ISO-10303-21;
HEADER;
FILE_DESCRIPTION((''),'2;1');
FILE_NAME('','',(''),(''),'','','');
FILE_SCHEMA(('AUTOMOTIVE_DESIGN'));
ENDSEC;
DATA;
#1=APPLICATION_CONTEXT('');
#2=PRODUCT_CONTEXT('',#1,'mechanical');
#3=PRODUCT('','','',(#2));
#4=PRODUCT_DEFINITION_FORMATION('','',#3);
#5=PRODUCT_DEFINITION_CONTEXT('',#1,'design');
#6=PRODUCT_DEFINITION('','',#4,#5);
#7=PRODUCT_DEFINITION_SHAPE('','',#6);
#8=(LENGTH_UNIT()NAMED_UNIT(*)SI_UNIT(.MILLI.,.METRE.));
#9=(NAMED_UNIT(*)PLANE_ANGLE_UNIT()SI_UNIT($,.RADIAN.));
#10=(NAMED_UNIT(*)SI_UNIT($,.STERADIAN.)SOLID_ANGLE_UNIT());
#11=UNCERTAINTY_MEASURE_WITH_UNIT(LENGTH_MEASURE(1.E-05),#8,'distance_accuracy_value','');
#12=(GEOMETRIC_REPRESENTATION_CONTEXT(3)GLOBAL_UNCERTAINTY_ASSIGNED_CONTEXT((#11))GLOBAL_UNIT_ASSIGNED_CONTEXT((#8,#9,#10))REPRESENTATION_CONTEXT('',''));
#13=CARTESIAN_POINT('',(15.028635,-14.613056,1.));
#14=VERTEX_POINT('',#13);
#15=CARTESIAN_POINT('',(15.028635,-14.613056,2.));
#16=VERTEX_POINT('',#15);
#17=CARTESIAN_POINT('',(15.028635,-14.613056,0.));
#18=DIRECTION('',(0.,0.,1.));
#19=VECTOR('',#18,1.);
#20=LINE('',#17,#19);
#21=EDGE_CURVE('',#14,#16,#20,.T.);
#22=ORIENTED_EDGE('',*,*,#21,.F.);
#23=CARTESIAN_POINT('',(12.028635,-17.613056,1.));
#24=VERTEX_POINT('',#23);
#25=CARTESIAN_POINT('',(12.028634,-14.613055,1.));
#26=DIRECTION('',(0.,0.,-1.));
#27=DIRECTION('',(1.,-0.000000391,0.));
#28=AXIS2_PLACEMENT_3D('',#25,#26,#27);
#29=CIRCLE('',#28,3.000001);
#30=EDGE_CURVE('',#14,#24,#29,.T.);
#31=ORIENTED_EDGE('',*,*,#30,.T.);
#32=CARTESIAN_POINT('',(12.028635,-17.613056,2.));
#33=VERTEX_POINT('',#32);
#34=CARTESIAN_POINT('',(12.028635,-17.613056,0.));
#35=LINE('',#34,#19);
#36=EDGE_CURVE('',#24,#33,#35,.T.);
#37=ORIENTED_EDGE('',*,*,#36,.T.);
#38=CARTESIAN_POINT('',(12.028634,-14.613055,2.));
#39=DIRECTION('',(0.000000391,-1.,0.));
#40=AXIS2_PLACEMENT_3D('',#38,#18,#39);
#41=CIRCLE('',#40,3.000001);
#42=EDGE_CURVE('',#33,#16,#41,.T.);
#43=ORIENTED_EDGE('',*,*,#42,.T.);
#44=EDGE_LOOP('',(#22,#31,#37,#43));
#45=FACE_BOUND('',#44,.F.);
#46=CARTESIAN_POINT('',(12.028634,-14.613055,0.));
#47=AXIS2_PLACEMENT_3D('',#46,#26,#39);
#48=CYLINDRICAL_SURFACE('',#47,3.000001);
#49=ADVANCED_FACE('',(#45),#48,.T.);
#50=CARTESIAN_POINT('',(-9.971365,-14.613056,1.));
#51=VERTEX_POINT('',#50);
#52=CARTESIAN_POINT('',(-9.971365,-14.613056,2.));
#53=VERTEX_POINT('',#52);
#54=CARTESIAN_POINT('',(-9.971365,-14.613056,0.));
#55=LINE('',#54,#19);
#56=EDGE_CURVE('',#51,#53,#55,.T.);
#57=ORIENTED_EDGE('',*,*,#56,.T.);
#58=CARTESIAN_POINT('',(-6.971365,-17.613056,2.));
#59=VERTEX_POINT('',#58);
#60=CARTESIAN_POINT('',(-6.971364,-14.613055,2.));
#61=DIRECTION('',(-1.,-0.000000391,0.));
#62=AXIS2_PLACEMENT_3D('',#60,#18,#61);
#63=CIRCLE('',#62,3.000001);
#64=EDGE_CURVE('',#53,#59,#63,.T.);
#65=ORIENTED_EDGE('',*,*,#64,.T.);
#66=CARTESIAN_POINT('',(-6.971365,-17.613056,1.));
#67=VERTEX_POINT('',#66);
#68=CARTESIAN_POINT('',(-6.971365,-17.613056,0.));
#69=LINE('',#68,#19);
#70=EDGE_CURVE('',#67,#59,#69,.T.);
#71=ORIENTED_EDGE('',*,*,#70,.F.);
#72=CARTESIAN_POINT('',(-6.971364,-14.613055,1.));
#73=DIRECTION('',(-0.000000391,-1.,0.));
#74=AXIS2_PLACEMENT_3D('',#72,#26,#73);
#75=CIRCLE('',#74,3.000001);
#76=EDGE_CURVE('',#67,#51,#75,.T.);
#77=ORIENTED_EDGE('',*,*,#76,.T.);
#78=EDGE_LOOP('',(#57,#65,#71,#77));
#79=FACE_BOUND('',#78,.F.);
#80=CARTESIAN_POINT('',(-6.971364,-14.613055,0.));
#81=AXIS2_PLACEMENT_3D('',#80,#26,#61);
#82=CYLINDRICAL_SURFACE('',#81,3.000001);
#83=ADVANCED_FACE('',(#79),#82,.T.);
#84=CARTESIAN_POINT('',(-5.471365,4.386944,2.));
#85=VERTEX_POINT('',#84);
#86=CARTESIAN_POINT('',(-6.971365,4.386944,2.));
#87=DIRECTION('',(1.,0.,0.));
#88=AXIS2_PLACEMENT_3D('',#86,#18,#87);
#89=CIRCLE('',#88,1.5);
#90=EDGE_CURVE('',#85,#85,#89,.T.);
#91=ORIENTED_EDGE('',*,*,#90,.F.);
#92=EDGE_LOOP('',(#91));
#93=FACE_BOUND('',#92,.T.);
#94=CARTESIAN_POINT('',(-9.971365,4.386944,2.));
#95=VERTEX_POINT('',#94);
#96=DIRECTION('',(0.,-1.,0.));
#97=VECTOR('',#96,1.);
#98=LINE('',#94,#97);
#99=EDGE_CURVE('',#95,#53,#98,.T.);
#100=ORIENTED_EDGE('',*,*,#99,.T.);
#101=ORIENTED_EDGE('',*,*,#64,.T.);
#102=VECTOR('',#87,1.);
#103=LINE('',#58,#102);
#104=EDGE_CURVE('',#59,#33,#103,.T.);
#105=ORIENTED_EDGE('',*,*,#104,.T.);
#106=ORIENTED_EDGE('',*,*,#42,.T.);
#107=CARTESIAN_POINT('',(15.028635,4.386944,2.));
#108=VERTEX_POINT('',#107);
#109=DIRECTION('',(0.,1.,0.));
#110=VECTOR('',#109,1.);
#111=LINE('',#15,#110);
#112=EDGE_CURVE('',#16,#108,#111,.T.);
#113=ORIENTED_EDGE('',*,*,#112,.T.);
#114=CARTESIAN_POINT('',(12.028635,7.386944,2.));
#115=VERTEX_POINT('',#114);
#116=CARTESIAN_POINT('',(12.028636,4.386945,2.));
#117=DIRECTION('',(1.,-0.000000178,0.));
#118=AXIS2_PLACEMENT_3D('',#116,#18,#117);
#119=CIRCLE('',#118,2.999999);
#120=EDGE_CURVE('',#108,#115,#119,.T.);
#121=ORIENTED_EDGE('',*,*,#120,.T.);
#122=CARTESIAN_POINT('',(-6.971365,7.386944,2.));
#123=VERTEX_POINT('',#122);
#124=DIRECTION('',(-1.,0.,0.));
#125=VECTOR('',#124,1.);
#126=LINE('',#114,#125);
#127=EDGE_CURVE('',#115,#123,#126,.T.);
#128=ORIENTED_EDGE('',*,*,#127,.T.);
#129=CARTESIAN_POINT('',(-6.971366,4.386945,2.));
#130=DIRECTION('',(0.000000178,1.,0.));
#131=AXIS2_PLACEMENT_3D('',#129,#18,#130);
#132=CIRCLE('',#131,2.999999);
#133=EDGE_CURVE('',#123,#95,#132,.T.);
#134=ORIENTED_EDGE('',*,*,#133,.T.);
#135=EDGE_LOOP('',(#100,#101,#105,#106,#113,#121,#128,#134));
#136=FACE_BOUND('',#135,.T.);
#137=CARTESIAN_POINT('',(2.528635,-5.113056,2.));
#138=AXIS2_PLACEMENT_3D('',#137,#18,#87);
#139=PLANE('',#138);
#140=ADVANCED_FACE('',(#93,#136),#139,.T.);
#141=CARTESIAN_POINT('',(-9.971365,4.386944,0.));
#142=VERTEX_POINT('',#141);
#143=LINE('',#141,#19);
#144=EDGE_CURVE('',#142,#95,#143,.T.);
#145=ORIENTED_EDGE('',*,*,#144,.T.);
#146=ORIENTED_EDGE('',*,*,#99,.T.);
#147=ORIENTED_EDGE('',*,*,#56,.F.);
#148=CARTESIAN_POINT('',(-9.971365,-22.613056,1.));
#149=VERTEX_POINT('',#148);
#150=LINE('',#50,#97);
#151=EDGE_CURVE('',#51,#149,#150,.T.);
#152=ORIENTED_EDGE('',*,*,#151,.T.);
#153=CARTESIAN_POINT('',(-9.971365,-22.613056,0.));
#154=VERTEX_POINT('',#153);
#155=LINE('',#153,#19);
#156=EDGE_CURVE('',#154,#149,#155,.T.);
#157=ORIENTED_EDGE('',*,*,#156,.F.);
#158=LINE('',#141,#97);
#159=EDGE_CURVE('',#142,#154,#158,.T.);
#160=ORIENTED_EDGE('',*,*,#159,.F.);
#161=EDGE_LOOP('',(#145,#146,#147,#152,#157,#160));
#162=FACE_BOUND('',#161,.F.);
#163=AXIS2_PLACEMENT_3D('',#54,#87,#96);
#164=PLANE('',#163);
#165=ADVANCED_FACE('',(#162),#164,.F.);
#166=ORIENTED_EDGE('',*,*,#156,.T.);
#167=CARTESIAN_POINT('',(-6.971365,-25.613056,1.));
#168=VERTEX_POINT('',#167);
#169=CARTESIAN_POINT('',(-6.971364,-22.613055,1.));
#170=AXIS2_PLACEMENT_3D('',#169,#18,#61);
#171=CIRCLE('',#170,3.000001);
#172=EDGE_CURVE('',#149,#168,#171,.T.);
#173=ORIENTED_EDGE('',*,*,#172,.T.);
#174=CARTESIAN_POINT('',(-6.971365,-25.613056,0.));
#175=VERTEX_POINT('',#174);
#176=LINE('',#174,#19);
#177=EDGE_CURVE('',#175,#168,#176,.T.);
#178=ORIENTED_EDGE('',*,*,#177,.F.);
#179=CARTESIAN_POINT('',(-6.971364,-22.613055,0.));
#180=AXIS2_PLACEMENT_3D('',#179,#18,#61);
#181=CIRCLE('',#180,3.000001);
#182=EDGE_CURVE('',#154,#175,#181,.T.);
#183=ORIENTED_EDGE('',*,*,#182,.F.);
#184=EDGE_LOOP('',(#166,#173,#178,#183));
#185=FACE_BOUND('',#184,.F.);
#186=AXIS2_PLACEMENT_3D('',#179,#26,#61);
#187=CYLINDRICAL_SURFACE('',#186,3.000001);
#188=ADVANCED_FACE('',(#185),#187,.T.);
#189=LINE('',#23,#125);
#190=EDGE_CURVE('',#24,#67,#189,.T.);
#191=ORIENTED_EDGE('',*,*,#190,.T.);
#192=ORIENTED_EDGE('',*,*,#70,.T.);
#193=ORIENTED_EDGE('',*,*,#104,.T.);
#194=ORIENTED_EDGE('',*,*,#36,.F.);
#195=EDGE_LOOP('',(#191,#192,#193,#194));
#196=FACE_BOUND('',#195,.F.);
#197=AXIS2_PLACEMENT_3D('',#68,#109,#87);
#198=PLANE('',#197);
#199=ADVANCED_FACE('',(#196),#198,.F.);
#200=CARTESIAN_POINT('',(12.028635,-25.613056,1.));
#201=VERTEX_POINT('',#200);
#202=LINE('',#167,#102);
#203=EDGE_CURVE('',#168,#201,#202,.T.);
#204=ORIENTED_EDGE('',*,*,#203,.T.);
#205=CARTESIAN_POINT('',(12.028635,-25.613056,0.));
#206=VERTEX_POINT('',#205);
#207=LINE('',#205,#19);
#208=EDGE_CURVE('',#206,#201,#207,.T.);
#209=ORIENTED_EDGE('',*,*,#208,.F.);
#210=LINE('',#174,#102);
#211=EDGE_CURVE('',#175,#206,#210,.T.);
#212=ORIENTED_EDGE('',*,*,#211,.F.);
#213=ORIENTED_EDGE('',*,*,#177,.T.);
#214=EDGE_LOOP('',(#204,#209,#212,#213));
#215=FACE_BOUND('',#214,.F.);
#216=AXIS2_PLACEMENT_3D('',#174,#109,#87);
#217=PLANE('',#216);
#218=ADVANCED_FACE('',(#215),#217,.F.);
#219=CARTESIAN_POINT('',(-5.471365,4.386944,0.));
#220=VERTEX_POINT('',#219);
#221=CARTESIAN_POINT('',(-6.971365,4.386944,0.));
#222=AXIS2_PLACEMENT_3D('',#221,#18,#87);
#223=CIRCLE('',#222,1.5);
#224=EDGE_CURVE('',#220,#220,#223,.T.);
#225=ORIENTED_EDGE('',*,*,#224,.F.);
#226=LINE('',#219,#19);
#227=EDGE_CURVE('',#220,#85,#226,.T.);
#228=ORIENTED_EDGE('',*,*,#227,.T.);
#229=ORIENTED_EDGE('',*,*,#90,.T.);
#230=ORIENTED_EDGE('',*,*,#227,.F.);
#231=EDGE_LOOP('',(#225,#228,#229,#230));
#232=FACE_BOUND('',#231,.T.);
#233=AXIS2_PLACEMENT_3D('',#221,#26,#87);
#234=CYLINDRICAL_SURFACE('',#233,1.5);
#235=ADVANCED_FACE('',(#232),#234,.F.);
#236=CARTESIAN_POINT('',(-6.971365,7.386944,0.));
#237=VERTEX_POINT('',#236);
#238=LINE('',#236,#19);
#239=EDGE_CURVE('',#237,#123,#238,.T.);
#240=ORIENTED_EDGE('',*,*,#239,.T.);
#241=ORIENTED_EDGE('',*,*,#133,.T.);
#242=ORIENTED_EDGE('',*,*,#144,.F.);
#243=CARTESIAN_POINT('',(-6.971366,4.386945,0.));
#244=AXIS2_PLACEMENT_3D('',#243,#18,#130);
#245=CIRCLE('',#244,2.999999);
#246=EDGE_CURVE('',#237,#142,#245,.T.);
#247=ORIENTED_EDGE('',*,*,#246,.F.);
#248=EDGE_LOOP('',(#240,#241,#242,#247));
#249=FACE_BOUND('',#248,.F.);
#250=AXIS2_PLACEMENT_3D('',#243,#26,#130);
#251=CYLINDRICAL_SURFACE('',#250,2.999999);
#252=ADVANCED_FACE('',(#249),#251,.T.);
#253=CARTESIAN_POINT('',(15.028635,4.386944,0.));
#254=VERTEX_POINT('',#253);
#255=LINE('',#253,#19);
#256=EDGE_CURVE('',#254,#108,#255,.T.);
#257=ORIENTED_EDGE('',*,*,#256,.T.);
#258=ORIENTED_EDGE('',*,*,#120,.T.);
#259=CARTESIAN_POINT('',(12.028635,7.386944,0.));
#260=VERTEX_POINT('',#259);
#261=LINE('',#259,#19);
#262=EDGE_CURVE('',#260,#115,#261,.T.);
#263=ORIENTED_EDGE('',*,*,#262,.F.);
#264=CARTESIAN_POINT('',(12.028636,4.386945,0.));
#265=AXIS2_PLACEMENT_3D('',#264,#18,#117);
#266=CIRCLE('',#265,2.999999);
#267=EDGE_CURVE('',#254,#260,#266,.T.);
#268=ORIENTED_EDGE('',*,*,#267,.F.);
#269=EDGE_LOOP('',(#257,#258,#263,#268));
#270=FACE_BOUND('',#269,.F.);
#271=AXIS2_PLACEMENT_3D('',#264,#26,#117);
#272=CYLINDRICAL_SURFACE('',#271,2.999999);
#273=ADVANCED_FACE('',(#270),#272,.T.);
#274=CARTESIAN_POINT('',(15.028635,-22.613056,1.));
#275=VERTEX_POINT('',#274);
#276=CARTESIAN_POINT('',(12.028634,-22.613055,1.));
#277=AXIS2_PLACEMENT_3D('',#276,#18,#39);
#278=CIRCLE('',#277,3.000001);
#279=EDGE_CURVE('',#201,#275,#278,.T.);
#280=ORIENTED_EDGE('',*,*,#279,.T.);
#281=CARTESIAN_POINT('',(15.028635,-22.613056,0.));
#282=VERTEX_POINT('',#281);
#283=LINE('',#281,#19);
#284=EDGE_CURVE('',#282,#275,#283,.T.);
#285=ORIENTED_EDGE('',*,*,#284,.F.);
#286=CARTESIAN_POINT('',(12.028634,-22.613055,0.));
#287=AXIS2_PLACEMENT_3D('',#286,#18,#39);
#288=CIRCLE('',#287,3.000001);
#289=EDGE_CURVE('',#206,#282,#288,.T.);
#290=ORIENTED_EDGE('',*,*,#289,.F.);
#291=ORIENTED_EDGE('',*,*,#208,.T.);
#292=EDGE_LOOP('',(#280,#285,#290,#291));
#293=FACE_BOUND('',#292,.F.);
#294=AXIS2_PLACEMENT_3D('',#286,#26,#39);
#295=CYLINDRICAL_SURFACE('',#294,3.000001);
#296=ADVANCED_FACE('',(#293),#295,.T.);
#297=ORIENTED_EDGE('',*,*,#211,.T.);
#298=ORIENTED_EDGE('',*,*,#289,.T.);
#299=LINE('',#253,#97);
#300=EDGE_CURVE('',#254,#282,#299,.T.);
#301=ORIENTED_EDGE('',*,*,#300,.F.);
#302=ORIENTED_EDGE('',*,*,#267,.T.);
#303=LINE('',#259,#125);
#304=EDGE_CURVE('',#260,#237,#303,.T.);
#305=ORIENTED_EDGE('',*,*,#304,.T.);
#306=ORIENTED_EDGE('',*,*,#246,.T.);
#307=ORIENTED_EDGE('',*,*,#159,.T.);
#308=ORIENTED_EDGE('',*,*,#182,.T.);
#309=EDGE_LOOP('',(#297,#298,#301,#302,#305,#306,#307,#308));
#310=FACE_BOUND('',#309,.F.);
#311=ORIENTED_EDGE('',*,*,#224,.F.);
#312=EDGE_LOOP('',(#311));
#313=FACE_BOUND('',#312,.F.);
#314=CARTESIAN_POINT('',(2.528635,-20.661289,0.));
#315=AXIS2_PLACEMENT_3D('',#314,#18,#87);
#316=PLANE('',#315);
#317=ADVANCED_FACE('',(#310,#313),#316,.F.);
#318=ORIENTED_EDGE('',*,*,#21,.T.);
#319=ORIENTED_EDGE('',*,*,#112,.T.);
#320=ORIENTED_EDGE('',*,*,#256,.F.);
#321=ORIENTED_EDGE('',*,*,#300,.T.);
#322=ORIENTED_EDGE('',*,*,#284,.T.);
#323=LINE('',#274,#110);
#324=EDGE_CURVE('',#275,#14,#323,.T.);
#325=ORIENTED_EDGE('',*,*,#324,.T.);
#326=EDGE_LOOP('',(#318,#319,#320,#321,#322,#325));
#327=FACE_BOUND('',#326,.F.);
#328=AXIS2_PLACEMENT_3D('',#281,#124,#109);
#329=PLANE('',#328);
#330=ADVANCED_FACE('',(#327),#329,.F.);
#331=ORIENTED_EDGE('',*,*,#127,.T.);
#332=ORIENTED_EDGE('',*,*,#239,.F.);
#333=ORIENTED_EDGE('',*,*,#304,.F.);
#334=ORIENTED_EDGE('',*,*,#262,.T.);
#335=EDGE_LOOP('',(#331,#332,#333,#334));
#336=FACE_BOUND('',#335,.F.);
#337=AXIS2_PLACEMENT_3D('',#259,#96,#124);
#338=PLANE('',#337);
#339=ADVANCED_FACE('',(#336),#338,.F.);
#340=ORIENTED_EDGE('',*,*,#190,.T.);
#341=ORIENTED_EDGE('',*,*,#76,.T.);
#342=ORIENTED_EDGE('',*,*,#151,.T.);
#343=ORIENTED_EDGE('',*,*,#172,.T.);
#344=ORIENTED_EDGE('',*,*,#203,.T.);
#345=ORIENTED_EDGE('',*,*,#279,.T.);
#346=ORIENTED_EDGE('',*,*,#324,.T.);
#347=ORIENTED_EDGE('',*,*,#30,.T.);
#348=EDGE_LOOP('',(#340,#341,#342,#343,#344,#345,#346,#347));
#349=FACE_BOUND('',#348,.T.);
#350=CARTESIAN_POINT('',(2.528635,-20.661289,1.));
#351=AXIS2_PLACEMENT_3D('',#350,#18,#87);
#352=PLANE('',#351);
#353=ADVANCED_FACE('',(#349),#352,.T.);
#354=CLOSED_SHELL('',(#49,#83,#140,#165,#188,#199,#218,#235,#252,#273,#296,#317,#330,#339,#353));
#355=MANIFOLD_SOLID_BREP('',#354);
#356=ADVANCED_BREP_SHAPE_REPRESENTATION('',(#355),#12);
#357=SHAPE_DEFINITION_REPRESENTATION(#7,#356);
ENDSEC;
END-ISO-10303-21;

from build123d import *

# Parameters (mm, degrees)
F0_R     = 1.5
F1_DEPTH = 2
F2_DEPTH = 1


with BuildPart() as f1:
    # F0 (on Top) → F1 (new body)
    with BuildSketch(Plane.XY):
        with BuildLine():
            Line((12.028635, 7.386944), (-6.971365, 7.386944))
            ThreePointArc((-6.971365, 7.386944), (-9.092685, 6.508265), (-9.971365, 4.386944))
            Line((-9.971365, 4.386944), (-9.971365, -14.613056))
            ThreePointArc((-9.971365, -14.613056), (-9.092685, -16.734376), (-6.971365, -17.613056))
            Line((-6.971365, -17.613056), (12.028635, -17.613056))
            ThreePointArc((12.028635, -17.613056), (14.149955, -16.734376), (15.028635, -14.613056))
            Line((15.028635, -14.613056), (15.028635, 4.386944))
            ThreePointArc((15.028635, 4.386944), (14.149955, 6.508265), (12.028635, 7.386944))
        make_face()
        with Locations((-6.971365, 4.386944)):
            Circle(F0_R, mode=Mode.SUBTRACT)
    extrude(amount=F1_DEPTH)

    # F0 (on Top) → F2 (join)
    with BuildSketch(Plane.XY):
        with BuildLine():
            ThreePointArc((-6.971365, -17.613056), (-9.092685, -16.734376), (-9.971365, -14.613056))
            Line((-9.971365, -14.613056), (-9.971365, -22.613056))
            ThreePointArc((-9.971365, -22.613056), (-9.092685, -24.734376), (-6.971365, -25.613056))
            Line((-6.971365, -25.613056), (12.028635, -25.613056))
            ThreePointArc((12.028635, -25.613056), (14.149955, -24.734376), (15.028635, -22.613056))
            Line((15.028635, -22.613056), (15.028635, -14.613056))
            ThreePointArc((15.028635, -14.613056), (14.149955, -16.734376), (12.028635, -17.613056))
            Line((12.028635, -17.613056), (-6.971365, -17.613056))
        make_face()
    extrude(amount=F2_DEPTH)


solid = f1.part
